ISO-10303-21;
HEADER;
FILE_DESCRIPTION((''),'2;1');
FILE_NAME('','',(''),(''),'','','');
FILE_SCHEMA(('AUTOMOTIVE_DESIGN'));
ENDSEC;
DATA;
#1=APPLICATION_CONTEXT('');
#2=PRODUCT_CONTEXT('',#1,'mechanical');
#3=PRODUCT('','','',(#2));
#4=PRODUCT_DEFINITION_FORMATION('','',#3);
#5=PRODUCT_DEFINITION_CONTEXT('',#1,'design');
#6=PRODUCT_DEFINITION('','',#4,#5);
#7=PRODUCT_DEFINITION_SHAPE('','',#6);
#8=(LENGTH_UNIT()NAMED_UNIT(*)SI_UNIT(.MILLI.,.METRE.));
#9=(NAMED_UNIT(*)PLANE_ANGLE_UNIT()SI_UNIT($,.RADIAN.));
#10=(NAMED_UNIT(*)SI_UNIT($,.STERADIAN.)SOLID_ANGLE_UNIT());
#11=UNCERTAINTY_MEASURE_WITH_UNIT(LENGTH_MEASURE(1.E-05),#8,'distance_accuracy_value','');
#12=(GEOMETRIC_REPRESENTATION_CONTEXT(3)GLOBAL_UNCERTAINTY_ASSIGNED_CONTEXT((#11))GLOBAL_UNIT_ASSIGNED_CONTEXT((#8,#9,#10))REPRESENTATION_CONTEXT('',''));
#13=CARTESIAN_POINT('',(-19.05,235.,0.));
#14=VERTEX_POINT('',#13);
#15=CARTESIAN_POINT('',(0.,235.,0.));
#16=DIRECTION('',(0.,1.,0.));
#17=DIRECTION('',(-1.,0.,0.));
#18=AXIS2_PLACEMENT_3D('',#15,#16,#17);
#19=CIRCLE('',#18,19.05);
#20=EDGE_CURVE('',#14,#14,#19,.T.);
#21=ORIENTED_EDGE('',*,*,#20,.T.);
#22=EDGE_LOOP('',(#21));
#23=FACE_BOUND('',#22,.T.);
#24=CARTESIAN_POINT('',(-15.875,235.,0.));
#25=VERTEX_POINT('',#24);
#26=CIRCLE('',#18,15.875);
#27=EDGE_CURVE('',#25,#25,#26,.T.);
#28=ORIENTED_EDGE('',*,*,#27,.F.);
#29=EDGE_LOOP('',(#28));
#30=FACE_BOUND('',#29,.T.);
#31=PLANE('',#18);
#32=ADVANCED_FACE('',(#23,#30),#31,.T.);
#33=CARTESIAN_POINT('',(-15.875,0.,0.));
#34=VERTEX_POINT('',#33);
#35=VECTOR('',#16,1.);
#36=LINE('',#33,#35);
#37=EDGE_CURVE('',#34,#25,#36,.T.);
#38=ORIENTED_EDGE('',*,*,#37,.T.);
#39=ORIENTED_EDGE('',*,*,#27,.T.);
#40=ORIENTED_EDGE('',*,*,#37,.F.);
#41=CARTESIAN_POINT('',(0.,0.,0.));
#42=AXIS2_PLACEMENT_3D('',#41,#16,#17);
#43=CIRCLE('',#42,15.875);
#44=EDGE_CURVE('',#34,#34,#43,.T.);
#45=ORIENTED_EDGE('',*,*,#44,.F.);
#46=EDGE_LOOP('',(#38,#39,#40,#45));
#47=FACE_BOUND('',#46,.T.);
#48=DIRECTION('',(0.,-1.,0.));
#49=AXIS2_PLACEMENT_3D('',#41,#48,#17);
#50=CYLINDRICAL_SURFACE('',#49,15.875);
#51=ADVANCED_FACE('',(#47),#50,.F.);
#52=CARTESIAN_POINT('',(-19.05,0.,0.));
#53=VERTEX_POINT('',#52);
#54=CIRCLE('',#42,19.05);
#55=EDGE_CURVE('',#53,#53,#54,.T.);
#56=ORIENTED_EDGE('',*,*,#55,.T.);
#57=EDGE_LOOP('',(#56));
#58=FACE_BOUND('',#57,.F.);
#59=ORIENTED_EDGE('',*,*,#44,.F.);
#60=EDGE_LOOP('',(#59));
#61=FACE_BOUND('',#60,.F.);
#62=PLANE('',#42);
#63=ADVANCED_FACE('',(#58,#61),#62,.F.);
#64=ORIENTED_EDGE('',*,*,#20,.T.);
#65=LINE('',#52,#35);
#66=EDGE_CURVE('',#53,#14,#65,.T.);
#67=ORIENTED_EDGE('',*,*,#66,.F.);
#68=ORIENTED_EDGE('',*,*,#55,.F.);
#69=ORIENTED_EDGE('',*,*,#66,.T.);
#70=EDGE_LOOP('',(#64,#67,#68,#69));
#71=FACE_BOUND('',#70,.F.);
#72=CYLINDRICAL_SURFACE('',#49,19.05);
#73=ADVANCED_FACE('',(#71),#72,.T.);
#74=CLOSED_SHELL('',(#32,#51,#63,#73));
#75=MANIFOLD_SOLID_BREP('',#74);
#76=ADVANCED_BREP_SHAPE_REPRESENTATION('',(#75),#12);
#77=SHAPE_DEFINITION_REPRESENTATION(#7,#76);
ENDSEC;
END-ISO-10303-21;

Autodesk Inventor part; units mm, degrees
ref_plane "YZ Plane" through (0, 0, 0) normal (1, 0, 0) x (0, 1, 0)
ref_plane "XZ Plane" through (0, 0, 0) normal (0, 1, 0) x (-1, 0, 0)
ref_plane "XY Plane" through (0, 0, 0) normal (0, 0, 1) x (1, 0, 0)
sketch "Sketch1" plane through (0, 0, 0) normal (0, 1, 0) x (-1, 0, 0)
  circle A0 centre (0, 0) radius 19.05
  circle A1 centre (0, 0) radius 15.875
  dimension "d0" = 38.1
  dimension "d1" = 3.175
extrude "Extrusion1" add sketch "Sketch1" along normal blind 235
properties part number "TuboSoporte"
